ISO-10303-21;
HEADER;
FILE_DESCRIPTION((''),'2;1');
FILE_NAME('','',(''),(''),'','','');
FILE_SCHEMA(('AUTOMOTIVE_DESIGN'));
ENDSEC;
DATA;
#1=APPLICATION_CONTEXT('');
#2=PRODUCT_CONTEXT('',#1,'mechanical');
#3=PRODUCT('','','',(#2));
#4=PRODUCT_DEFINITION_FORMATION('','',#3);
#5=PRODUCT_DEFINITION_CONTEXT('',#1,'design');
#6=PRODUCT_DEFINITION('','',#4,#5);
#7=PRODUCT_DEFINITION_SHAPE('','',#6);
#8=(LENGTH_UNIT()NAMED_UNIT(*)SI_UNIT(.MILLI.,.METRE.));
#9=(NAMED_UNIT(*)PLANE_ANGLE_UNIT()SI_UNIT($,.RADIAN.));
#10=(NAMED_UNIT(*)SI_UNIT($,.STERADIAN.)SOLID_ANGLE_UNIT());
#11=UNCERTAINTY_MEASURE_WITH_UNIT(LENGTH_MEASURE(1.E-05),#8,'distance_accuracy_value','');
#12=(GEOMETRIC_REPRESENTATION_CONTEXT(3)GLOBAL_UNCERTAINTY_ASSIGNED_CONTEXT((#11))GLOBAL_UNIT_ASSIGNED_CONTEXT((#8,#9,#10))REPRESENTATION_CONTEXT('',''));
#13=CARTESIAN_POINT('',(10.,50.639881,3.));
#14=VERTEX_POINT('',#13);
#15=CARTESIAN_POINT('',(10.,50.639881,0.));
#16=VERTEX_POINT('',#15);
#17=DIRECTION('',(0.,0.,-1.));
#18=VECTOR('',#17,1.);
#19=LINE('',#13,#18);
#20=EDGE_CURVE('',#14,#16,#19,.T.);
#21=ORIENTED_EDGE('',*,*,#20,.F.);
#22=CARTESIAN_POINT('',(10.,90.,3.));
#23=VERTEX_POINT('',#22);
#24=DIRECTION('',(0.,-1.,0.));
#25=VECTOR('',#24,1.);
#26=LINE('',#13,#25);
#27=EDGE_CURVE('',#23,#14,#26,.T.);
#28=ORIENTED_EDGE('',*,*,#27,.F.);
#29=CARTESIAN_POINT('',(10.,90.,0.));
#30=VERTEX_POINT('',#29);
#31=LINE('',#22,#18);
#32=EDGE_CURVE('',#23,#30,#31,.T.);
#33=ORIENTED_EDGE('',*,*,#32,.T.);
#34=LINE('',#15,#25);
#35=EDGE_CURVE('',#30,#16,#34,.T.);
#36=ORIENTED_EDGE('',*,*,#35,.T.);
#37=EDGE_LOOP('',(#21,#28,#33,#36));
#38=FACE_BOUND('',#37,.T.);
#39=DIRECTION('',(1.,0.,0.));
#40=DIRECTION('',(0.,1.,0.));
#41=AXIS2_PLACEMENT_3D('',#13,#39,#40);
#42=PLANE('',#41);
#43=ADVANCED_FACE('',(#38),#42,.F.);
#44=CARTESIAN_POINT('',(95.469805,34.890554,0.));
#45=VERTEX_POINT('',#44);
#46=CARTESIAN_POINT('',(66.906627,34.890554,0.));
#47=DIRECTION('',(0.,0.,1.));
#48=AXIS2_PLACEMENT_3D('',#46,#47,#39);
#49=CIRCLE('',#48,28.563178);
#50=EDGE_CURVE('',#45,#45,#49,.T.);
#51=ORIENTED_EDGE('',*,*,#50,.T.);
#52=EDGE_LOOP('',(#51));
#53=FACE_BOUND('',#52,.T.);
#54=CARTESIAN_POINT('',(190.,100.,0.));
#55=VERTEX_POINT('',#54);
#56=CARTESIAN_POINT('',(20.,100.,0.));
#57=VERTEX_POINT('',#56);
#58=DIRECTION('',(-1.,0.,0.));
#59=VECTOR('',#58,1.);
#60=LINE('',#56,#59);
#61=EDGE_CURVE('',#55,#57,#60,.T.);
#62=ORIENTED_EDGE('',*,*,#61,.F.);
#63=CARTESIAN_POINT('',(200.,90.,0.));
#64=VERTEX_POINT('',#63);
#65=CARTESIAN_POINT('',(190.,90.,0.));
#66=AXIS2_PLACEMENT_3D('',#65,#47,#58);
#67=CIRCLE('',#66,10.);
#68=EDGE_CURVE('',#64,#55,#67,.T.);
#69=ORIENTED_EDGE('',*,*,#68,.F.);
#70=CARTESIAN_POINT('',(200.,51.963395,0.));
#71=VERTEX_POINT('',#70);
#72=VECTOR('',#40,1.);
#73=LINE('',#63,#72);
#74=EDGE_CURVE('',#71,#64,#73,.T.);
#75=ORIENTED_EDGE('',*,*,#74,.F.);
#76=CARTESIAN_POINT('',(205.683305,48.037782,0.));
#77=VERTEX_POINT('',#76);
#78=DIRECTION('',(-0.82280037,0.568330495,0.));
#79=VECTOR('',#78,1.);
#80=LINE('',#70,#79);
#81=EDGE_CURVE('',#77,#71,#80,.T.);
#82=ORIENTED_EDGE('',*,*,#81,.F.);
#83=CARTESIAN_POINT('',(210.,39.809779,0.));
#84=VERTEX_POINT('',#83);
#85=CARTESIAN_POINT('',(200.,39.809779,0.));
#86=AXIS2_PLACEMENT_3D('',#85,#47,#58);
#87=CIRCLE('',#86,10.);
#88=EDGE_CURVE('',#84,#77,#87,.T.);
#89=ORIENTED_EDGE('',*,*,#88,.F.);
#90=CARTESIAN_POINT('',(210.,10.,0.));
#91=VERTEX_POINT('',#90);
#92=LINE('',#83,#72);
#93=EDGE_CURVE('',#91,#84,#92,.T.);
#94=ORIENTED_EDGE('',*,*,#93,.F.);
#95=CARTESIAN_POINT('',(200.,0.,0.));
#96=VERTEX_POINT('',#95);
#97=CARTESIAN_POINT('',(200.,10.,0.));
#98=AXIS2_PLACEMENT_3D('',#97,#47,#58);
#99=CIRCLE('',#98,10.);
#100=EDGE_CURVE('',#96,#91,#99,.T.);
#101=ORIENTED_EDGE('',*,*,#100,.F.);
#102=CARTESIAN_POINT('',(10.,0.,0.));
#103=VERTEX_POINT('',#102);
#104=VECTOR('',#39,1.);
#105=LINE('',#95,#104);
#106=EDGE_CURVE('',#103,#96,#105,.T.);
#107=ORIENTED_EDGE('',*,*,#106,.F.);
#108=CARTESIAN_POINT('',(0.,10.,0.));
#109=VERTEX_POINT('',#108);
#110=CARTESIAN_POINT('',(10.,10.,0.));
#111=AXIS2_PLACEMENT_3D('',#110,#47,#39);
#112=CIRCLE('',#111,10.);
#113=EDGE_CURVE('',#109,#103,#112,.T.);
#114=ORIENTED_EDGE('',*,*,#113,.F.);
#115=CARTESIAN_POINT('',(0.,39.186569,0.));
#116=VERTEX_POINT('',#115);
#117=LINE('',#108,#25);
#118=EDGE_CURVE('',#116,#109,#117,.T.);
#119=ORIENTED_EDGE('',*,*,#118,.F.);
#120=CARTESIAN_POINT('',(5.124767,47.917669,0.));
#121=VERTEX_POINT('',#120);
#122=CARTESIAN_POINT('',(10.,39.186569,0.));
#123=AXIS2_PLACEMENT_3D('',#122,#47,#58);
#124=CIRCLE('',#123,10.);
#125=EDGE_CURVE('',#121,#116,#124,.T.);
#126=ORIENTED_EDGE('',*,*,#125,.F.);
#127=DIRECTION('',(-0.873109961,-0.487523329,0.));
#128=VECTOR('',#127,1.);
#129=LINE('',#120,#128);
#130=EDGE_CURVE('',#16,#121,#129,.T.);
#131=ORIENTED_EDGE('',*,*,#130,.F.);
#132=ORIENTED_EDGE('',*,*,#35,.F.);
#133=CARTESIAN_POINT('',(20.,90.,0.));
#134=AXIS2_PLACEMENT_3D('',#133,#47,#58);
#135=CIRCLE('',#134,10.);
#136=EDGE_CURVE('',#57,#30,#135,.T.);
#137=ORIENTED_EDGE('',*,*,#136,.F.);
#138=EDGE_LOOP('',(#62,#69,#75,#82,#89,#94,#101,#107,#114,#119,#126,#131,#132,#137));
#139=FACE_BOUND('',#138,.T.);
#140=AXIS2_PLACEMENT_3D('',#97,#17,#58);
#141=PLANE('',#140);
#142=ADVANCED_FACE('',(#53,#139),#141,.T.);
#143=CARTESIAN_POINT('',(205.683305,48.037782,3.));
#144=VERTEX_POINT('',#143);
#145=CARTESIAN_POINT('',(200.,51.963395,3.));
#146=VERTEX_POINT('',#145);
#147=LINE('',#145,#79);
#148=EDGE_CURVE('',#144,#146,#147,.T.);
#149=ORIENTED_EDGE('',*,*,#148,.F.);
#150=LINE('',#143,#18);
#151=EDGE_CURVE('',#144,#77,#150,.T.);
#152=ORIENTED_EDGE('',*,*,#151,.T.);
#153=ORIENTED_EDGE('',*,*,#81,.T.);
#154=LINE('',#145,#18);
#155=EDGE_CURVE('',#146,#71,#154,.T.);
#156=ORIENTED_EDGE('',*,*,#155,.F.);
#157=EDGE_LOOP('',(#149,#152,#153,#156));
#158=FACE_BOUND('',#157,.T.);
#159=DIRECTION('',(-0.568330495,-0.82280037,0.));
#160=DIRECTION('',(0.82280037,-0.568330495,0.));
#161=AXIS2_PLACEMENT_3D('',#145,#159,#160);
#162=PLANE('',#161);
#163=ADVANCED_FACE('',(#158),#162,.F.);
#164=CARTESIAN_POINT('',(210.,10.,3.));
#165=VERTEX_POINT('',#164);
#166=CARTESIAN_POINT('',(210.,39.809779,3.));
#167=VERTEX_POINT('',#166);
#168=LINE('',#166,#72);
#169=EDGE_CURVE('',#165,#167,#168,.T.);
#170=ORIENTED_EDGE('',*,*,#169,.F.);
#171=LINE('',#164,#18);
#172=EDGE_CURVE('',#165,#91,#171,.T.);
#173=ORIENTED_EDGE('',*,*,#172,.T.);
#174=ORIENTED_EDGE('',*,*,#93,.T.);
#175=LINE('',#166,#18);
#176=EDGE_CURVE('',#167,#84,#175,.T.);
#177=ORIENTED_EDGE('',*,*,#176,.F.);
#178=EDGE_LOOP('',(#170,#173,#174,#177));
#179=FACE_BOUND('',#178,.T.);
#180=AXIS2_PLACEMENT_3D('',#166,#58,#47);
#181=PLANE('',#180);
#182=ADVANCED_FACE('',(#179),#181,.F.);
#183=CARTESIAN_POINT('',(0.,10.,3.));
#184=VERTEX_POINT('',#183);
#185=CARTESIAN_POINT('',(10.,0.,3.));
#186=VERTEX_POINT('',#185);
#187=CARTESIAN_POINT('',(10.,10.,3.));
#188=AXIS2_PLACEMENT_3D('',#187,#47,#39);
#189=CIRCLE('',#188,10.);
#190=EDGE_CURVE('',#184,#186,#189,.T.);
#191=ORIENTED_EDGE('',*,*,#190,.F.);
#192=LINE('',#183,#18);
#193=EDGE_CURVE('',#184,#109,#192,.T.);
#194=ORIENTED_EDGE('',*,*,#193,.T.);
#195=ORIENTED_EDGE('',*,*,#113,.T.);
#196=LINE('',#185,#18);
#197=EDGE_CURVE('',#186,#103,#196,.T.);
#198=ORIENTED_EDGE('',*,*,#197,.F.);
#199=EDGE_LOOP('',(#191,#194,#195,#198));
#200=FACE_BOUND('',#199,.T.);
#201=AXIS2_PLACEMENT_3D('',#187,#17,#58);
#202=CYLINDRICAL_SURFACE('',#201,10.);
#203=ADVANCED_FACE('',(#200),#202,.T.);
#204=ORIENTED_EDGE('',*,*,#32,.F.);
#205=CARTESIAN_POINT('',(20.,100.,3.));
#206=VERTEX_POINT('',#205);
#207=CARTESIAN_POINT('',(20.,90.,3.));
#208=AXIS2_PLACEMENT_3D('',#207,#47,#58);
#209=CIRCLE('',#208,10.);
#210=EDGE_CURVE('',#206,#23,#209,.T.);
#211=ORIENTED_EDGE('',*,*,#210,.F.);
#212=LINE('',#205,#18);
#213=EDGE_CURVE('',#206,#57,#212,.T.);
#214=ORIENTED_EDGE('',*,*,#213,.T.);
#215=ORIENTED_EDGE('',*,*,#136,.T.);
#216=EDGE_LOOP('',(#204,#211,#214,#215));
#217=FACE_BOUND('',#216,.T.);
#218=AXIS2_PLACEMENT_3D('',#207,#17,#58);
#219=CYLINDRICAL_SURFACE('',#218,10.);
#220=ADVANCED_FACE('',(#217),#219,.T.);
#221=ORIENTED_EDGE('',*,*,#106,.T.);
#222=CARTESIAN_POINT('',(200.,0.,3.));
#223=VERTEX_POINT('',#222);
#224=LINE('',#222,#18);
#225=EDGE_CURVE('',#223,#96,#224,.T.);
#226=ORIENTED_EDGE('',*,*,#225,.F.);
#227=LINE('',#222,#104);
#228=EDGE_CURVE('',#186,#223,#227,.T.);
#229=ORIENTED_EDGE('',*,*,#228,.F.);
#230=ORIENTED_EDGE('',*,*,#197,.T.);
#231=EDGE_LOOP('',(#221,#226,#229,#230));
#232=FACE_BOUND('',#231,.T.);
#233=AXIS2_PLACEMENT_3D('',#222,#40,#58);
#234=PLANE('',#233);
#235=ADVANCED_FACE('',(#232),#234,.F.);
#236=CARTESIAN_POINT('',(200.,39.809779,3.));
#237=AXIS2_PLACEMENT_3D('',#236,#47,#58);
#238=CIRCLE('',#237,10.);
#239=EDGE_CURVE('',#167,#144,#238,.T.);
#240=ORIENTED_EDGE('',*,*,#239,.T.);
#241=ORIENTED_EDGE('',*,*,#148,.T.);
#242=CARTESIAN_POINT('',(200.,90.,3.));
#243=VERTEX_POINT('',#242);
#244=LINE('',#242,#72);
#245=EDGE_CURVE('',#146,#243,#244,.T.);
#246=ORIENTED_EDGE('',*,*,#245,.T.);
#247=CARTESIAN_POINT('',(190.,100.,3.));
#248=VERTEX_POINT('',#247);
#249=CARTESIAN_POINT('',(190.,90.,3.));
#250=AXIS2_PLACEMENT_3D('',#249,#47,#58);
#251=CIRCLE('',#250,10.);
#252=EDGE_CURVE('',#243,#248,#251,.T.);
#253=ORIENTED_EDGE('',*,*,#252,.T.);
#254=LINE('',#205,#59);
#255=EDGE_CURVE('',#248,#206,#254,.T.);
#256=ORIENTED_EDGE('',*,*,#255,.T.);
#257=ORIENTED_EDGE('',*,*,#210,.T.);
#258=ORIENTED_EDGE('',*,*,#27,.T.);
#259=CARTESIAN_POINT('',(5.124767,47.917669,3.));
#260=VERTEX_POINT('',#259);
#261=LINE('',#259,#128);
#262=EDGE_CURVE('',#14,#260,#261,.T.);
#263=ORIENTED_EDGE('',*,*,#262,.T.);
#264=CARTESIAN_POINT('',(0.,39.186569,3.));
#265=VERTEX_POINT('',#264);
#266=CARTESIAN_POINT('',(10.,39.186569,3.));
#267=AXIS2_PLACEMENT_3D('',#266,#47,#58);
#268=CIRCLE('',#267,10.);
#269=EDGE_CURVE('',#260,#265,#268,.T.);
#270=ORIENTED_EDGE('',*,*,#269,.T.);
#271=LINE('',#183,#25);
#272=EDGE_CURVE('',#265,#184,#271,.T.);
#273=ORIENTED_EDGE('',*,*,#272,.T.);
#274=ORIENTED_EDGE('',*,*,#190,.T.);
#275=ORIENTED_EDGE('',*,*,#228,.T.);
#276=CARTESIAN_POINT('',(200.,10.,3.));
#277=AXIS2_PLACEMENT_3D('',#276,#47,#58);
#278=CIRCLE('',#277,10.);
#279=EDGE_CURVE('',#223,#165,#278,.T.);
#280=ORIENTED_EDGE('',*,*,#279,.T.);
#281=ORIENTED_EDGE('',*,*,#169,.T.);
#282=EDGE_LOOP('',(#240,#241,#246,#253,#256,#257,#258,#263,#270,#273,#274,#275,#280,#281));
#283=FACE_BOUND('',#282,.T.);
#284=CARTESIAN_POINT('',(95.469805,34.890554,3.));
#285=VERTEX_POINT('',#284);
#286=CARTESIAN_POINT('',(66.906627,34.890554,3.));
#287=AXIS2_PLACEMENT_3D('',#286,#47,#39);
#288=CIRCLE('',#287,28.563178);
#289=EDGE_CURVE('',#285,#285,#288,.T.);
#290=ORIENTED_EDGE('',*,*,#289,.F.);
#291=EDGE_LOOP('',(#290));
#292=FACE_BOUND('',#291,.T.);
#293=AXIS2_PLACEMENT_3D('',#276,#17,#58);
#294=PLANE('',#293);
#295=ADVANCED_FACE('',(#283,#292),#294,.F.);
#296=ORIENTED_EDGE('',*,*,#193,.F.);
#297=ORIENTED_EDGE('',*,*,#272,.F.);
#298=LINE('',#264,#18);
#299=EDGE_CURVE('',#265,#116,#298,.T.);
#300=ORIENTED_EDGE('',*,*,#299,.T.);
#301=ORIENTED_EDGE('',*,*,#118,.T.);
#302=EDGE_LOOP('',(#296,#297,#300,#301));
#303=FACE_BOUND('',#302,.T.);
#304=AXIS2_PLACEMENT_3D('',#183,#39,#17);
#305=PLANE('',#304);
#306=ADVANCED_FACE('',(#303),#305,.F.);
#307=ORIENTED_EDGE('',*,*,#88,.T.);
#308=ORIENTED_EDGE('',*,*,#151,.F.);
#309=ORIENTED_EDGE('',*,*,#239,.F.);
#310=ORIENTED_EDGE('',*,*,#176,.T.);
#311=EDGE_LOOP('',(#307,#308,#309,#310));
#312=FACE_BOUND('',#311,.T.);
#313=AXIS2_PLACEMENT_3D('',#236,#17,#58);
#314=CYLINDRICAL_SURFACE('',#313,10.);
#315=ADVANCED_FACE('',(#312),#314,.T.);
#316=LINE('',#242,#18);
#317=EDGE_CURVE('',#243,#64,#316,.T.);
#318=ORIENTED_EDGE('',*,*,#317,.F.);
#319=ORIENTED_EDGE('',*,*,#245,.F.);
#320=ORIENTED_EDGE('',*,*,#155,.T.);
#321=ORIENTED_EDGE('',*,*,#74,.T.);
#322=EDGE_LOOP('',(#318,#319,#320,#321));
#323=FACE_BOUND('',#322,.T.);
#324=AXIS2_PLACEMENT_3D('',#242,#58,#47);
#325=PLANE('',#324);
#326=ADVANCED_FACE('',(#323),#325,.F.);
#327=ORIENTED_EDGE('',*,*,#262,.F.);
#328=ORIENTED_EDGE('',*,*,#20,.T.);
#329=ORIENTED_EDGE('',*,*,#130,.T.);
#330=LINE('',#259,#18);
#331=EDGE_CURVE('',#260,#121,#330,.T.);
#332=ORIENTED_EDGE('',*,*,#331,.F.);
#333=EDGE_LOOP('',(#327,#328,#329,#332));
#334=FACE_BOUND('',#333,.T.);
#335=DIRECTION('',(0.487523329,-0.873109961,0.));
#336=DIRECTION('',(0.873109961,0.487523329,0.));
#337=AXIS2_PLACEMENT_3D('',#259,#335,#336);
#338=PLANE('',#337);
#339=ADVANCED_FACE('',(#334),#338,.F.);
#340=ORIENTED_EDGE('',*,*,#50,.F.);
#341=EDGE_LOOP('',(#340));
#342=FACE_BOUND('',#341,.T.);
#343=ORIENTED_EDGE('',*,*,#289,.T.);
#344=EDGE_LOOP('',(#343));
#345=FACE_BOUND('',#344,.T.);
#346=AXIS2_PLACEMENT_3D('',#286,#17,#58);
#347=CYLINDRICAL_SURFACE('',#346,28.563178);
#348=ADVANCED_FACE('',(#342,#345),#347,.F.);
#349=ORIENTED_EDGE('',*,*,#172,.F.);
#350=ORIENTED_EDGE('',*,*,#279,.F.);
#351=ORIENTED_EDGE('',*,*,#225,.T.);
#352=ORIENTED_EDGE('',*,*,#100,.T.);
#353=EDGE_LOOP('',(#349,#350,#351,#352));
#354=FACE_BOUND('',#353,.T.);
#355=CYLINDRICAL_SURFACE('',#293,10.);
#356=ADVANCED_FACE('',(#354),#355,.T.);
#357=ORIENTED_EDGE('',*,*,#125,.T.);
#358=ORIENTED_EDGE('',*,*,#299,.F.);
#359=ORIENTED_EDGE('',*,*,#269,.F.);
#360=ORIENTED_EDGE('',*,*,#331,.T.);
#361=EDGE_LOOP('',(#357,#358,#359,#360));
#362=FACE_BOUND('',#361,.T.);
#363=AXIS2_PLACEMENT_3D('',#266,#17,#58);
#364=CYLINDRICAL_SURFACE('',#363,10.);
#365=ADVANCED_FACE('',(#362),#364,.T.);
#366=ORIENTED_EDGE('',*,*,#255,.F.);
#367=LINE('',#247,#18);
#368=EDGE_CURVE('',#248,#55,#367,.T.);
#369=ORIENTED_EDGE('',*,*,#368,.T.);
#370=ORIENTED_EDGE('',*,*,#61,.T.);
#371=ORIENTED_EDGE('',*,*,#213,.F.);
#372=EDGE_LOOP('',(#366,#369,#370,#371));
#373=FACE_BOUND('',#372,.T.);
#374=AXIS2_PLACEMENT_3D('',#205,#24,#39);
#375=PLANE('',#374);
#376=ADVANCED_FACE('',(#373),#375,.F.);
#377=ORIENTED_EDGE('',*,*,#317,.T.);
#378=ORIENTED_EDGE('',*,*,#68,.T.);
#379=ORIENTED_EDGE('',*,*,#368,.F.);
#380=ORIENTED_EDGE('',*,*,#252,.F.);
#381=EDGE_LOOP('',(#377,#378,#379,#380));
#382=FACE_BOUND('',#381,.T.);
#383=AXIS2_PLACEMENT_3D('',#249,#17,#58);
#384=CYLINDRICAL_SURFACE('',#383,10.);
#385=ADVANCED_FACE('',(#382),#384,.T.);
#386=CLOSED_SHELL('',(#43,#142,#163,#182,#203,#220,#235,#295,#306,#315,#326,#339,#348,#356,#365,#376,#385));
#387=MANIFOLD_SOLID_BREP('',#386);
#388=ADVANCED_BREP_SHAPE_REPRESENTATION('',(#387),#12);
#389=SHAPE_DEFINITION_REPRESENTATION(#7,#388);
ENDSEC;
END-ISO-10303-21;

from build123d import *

# Parameters (mm, degrees)
SKETCH_1_R      = 28.563178004
EXTRUDE_1_DEPTH = 3


with BuildPart() as part:
    # 草图1 → 凸台-拉伸1 (new body)
    with BuildSketch(Plane.XY):
        with BuildLine():
            Line((0, 10), (0, 39.186569494))
            ThreePointArc((0, 39.186569494), (1.375838219, 44.248568464), (5.124766715, 47.917669105))
            Line((5.124766715, 47.917669105), (10, 50.639880584))
            Line((10, 50.639880584), (10, 90))
            ThreePointArc((10, 90), (12.928932188, 97.071067812), (20, 100))
            Line((20, 100), (190, 100))
            ThreePointArc((190, 100), (197.071067812, 97.071067812), (200, 90))
            Line((200, 90), (200, 51.963395008))
            Line((200, 51.963395008), (205.683304945, 48.037782396))
            ThreePointArc((205.683304945, 48.037782396), (208.855310538, 44.455580593), (210, 39.809778695))
            Line((210, 39.809778695), (210, 10))
            ThreePointArc((210, 10), (207.071067812, 2.928932188), (200, 0))
            Line((200, 0), (10, 0))
            ThreePointArc((10, 0), (2.928932188, 2.928932188), (0, 10))
        make_face()
        with Locations((66.906627039, 34.890553548)):
            Circle(SKETCH_1_R, mode=Mode.SUBTRACT)
    extrude(amount=EXTRUDE_1_DEPTH)


solid = part.part
